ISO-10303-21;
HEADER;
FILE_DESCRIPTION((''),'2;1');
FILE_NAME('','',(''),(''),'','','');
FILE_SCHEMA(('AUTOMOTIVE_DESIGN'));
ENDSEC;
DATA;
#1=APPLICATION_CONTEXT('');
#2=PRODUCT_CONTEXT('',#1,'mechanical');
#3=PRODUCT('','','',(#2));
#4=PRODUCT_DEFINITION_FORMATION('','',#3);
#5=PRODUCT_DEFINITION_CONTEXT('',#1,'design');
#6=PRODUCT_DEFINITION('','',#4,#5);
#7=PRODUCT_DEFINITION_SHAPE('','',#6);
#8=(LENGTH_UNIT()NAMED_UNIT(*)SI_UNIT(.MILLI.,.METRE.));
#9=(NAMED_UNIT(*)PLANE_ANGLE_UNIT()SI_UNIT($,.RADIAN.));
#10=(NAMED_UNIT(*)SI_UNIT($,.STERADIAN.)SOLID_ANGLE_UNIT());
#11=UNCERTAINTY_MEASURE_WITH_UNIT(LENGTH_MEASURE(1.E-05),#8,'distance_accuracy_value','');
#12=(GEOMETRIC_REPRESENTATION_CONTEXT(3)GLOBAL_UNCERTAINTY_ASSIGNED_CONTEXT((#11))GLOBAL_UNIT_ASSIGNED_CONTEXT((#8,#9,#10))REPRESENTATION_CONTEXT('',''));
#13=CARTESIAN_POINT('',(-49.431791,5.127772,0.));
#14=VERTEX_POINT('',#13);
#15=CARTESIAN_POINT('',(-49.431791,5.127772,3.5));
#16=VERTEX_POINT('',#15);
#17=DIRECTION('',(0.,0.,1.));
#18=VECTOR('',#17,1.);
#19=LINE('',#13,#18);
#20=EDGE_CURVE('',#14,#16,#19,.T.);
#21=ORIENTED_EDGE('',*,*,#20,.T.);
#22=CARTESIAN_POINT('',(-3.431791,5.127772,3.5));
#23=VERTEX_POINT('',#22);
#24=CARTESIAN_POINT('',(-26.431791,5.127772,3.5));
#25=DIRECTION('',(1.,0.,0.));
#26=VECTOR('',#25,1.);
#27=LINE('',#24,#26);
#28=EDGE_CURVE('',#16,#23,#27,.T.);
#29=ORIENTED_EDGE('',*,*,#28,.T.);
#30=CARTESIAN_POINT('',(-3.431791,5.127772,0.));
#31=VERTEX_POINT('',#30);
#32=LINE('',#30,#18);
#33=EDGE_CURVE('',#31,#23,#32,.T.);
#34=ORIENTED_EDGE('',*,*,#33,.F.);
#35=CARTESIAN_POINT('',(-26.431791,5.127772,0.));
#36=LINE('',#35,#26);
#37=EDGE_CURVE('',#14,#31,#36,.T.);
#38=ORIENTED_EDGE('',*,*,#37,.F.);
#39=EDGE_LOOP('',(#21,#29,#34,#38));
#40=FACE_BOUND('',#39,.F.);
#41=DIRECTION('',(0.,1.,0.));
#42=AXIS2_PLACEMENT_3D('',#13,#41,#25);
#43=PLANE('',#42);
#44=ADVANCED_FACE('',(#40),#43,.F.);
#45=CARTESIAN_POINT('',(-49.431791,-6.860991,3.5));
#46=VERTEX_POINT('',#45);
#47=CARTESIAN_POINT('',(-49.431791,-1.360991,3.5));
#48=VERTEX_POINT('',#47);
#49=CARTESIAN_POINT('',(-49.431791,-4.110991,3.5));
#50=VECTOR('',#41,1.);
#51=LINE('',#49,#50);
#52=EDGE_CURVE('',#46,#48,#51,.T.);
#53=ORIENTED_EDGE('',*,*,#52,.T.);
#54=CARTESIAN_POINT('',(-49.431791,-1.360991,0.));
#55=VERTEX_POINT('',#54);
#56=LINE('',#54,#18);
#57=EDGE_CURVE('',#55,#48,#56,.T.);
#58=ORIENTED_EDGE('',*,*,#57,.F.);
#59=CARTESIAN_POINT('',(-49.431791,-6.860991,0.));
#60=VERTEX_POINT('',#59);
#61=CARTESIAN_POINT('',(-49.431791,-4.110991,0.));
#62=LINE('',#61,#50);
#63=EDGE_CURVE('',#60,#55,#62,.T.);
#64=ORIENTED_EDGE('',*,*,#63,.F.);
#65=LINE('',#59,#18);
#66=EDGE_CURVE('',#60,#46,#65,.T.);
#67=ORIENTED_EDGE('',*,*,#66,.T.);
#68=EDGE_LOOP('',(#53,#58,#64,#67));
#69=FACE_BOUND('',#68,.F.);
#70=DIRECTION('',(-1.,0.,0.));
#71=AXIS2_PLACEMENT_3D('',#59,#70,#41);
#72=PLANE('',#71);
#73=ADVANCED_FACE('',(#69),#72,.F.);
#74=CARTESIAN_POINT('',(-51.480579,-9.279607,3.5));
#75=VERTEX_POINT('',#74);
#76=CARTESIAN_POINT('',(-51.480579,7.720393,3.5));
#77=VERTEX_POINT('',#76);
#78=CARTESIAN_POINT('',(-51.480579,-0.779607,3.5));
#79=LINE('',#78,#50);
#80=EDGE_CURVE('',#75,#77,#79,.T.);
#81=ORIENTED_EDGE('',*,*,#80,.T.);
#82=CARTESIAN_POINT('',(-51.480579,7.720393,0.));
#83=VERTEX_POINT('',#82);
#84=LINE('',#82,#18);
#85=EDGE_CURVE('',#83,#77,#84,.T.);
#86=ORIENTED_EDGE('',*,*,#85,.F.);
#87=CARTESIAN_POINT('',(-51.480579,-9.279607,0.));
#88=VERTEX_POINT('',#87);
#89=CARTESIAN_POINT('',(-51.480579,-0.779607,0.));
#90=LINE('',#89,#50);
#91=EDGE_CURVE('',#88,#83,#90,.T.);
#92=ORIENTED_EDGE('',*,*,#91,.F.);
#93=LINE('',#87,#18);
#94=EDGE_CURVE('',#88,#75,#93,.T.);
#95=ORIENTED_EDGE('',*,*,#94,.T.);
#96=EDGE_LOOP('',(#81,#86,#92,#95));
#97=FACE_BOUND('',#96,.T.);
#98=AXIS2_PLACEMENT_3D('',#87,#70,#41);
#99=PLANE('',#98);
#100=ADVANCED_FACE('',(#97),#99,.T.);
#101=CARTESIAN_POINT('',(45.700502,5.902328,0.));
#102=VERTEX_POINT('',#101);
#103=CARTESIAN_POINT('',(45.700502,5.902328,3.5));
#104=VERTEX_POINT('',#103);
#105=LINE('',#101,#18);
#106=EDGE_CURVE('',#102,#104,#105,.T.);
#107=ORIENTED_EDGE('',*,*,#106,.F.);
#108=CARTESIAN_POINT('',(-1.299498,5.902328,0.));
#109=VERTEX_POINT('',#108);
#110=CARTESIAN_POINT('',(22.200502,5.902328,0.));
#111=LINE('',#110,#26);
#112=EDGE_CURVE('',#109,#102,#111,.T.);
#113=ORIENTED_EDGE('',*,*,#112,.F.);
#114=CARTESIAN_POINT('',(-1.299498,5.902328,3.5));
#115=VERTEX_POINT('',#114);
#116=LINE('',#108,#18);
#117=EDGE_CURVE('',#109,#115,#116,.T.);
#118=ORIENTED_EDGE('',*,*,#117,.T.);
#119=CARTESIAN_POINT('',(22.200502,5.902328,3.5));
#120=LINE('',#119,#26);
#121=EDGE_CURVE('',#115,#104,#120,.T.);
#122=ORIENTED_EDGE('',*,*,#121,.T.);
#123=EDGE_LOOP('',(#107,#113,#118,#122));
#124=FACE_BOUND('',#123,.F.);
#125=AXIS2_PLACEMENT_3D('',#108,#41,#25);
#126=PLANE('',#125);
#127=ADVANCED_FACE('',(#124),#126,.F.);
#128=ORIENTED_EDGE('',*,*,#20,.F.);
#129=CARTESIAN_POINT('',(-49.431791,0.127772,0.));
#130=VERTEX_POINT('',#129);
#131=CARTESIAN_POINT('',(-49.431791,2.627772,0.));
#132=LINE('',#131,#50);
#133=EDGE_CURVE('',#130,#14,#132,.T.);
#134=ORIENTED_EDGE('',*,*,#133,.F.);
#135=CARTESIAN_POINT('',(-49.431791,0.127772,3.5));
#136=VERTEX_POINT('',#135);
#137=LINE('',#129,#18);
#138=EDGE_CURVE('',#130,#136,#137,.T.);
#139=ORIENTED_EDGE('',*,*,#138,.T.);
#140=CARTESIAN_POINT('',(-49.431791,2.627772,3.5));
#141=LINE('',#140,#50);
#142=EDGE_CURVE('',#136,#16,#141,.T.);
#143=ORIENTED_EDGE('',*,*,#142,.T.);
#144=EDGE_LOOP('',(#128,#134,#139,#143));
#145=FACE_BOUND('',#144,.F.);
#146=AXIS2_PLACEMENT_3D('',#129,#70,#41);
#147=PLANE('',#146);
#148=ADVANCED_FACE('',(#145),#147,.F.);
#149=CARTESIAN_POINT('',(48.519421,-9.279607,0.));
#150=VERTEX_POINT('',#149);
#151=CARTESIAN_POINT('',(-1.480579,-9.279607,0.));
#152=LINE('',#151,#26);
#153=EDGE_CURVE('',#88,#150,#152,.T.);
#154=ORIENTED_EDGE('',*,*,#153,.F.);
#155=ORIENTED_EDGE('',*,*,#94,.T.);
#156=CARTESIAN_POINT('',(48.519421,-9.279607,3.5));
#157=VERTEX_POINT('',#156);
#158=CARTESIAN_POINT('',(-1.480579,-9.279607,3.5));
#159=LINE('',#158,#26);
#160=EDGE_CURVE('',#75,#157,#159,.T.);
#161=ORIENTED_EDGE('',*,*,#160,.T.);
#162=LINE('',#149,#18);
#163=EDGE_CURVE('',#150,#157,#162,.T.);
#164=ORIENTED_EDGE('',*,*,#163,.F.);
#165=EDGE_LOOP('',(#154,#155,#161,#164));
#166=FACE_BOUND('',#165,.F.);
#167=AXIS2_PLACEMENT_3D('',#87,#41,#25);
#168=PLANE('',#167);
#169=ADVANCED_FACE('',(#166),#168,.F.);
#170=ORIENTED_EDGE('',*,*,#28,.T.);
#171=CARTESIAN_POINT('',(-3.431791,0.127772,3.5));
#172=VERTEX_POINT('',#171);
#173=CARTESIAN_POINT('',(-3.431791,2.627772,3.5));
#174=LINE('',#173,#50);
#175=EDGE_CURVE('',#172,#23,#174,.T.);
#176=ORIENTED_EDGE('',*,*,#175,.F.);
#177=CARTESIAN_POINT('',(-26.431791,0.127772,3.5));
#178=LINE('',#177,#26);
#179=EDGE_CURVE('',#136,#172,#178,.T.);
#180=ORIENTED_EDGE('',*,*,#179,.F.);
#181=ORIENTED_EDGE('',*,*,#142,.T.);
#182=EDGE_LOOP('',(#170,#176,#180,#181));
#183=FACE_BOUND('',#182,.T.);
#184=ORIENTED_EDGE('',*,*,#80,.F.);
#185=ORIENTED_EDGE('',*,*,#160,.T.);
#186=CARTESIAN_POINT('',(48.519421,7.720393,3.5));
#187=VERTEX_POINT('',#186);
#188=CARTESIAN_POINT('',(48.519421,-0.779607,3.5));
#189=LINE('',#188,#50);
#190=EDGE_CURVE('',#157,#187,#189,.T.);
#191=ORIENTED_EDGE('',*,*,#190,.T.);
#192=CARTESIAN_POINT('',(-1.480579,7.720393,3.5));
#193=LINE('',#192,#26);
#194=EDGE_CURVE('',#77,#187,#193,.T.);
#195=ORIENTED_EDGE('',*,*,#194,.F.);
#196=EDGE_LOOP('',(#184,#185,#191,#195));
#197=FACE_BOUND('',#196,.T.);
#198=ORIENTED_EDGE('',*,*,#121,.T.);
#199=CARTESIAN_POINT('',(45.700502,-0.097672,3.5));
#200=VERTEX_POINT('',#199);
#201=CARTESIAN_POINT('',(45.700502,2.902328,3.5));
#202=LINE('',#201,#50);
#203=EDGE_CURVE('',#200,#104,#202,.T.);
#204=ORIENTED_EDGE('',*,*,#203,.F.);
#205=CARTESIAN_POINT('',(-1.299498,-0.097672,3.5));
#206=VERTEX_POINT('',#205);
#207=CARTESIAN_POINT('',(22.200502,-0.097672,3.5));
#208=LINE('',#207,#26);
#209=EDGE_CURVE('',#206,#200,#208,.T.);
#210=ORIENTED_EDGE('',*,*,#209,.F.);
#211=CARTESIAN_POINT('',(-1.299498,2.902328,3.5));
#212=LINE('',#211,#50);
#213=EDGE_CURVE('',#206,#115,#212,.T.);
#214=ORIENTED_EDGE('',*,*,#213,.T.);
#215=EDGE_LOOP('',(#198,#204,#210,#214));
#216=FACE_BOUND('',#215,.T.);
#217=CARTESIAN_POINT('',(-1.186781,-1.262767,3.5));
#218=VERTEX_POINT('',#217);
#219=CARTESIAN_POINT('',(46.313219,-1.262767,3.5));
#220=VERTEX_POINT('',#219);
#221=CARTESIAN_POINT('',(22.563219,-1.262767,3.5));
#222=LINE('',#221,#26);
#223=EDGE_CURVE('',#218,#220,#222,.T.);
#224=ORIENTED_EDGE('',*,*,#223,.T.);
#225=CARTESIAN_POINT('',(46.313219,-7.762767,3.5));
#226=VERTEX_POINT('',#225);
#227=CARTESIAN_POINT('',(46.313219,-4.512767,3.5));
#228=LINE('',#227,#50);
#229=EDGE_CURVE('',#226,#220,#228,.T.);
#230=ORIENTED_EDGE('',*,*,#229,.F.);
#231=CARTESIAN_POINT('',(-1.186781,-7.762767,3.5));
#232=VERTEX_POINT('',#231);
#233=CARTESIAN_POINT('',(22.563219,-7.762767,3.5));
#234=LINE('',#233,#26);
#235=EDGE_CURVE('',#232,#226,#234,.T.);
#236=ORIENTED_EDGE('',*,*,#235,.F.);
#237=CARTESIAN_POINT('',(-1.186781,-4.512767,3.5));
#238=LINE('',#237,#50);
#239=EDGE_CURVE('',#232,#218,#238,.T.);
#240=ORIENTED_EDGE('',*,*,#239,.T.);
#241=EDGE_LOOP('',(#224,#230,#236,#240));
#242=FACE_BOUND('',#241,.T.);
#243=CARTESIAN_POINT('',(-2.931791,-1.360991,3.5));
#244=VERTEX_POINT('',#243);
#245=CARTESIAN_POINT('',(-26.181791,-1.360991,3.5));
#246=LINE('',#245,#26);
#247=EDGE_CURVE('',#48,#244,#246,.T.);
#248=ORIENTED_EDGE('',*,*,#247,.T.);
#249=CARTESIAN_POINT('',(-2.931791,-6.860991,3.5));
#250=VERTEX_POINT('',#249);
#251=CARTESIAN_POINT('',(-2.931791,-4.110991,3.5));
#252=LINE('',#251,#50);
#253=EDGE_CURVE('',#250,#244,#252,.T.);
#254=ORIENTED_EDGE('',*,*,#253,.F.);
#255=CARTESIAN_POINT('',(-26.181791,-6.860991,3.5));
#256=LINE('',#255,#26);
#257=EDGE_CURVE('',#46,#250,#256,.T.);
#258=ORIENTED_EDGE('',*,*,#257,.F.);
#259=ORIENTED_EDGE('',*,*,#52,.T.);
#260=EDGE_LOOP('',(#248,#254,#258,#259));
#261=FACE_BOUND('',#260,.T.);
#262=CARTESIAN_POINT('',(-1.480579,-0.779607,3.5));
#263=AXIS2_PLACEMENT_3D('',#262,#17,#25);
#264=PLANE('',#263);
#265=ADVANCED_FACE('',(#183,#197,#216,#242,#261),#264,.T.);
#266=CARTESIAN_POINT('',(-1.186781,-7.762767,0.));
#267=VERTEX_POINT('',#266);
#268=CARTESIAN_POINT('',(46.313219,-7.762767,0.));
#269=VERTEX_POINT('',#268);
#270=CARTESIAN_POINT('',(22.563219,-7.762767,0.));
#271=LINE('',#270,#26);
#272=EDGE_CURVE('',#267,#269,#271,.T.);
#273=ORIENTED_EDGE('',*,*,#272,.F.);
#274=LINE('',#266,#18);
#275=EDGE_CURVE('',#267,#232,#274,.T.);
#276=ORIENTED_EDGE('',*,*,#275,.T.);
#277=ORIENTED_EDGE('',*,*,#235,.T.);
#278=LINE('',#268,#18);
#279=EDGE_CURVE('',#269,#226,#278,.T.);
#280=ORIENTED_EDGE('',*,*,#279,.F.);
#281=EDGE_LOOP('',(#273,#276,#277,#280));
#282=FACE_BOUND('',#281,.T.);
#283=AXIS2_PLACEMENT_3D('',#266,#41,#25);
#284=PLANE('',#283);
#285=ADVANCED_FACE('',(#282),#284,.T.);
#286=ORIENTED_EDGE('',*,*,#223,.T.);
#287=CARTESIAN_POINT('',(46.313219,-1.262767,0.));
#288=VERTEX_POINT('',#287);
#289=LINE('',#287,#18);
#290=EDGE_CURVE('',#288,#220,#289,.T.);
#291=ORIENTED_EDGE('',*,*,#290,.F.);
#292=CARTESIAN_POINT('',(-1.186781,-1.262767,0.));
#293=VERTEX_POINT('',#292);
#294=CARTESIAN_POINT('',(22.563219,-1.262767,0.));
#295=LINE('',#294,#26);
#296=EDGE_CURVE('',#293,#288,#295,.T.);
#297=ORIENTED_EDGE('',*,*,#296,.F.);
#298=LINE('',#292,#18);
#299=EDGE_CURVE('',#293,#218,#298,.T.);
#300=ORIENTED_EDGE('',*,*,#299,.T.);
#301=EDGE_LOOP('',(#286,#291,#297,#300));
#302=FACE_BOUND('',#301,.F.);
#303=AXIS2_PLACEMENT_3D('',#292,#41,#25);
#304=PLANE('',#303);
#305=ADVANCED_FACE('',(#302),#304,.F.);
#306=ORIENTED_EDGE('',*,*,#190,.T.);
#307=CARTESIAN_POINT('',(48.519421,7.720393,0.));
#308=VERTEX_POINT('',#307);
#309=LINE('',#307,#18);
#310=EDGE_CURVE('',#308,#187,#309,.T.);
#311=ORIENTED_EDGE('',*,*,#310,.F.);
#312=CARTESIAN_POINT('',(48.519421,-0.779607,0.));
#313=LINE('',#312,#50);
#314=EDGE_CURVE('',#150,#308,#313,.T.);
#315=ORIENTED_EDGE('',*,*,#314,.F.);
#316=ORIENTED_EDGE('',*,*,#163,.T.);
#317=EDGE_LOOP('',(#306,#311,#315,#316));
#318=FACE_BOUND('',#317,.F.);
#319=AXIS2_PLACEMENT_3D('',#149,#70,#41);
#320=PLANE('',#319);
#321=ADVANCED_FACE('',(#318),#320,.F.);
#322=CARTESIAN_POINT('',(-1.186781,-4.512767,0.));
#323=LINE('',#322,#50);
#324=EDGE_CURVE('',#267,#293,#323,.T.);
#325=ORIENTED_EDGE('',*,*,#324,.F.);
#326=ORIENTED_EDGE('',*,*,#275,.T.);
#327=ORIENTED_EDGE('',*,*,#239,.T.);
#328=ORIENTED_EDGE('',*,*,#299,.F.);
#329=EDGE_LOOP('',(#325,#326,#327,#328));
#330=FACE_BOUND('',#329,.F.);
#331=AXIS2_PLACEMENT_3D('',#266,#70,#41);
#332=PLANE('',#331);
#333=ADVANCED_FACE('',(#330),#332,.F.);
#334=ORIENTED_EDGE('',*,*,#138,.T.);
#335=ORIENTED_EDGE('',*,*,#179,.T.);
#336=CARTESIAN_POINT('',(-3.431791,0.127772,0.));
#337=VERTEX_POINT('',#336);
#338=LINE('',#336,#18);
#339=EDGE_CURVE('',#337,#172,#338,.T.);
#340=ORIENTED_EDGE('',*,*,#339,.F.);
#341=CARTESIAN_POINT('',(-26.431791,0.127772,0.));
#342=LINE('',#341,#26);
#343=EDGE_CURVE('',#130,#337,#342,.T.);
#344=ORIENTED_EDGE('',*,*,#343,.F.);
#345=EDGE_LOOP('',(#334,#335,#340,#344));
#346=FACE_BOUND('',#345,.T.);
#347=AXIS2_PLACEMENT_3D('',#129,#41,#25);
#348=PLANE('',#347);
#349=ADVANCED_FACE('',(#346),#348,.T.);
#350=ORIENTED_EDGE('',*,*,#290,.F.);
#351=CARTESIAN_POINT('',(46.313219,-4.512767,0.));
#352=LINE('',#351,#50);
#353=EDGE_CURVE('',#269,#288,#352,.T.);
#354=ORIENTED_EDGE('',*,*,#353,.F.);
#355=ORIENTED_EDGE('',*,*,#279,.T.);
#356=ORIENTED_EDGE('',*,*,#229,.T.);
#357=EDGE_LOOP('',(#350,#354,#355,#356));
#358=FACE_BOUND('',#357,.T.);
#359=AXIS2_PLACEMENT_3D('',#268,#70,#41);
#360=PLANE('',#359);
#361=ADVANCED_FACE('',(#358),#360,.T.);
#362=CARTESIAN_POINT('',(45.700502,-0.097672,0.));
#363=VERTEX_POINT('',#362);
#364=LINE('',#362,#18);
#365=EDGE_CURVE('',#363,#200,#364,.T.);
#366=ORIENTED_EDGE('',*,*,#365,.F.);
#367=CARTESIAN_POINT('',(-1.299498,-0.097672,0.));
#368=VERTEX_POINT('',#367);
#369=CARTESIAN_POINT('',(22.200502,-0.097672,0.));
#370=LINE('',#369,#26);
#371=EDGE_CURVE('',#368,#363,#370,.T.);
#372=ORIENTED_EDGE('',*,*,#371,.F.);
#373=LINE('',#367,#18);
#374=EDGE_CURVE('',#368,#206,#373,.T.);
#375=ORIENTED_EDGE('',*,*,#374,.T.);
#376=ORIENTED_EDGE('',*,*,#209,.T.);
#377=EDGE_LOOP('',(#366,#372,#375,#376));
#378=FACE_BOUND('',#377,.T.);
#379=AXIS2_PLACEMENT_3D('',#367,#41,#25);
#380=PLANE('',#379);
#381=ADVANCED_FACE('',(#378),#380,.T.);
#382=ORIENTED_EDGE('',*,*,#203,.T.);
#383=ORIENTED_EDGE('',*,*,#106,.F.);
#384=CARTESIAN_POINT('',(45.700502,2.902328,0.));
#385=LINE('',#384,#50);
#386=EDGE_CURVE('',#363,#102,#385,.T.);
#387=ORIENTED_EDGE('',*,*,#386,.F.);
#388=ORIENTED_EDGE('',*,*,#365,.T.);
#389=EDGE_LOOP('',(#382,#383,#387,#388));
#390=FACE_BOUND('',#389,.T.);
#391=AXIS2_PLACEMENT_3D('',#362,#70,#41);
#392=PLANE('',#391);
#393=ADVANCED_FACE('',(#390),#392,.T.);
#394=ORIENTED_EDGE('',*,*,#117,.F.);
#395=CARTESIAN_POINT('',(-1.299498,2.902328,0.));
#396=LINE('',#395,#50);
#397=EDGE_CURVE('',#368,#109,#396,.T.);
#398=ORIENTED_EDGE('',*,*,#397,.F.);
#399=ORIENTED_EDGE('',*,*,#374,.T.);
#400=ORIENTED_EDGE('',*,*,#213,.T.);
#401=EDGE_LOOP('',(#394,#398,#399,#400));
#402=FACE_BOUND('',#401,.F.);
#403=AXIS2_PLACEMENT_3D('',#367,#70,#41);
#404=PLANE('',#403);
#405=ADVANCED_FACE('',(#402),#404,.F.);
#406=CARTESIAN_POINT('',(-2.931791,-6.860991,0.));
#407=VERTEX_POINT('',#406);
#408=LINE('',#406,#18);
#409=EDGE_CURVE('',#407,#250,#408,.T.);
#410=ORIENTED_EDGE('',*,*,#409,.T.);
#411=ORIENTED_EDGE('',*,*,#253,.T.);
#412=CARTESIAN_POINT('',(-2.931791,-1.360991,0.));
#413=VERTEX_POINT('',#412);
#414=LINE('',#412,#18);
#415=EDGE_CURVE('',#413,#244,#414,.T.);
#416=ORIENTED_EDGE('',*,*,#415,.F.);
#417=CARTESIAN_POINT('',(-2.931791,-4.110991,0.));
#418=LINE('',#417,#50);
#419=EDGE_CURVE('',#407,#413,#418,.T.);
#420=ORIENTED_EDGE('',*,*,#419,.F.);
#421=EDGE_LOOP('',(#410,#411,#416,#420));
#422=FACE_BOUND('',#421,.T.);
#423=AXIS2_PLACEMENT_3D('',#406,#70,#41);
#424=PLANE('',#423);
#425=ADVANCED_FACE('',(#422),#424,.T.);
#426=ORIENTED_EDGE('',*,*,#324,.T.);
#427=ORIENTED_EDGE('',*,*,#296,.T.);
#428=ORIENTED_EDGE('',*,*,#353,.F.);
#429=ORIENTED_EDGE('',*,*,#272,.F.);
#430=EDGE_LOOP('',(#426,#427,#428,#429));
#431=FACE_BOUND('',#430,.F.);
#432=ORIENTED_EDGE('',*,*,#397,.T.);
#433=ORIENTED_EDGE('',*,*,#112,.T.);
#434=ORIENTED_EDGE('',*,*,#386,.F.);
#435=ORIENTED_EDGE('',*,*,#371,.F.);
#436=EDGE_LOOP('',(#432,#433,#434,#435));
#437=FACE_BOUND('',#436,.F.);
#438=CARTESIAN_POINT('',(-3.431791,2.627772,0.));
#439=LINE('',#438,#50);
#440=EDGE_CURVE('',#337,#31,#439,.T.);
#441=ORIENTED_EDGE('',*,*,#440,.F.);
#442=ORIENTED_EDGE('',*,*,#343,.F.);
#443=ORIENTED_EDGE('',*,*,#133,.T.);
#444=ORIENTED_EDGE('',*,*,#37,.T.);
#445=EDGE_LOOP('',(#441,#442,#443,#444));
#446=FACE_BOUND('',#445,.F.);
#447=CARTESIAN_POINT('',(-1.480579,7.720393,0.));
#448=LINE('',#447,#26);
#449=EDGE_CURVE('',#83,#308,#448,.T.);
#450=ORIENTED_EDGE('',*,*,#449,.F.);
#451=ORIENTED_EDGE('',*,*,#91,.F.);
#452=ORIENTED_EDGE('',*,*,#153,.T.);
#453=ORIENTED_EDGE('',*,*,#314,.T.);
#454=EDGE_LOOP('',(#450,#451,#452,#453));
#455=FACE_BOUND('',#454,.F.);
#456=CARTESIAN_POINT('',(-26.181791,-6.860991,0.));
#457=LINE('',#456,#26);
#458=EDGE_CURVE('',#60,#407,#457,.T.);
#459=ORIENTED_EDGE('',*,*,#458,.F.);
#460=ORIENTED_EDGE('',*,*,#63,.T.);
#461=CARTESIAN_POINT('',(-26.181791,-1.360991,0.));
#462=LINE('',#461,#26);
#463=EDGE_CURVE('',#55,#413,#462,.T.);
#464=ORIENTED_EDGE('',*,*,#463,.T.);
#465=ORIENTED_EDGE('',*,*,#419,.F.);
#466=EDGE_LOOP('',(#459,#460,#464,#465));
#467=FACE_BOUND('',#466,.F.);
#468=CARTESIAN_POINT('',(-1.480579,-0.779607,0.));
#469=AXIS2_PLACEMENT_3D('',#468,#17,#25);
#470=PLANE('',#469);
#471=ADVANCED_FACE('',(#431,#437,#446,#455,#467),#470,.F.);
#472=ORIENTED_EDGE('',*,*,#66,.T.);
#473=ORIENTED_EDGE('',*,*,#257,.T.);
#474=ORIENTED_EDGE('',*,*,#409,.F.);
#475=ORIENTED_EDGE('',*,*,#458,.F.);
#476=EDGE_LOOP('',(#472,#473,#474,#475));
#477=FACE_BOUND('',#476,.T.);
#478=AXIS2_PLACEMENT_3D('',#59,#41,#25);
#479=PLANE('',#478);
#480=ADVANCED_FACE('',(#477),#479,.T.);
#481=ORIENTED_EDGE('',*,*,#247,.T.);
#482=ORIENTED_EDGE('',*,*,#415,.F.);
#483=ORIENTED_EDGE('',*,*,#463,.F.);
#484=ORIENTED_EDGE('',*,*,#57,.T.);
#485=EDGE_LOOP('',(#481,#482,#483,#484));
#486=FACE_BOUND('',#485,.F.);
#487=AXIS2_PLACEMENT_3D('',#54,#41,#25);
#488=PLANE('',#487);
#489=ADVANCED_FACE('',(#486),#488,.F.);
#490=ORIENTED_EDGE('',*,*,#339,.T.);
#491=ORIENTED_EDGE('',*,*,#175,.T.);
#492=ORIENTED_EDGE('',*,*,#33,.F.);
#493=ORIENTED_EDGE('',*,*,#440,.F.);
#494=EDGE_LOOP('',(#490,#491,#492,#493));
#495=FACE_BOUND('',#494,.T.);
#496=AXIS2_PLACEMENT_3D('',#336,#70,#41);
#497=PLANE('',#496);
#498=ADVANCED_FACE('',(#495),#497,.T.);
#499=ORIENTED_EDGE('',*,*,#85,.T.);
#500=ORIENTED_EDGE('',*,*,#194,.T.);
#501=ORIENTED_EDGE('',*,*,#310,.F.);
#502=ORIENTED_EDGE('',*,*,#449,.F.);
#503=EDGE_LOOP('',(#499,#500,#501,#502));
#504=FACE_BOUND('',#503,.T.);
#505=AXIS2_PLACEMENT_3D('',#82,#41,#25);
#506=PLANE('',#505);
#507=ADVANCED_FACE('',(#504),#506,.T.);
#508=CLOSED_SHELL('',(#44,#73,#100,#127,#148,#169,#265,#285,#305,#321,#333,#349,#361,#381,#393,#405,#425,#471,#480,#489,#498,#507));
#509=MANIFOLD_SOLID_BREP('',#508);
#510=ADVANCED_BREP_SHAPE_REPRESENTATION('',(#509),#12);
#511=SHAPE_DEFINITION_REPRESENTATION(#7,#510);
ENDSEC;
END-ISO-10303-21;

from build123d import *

# Parameters (mm, degrees)
F0_W     = 100
F0_H     = 17
F0_W_2   = 46.5
F0_H_2   = 5.5
F0_W_3   = 47.5
F0_H_3   = 6.5
F0_W_4   = 46
F0_H_4   = 5
F0_W_5   = 47
F0_H_5   = 6
F1_DEPTH = 3.5


with BuildPart() as f1:
    # F0 (on Top) → F1 (new body)
    with BuildSketch(Plane.XY):
        with Locations((-1.480579, -0.779607)):
            Rectangle(F0_W, F0_H)
        with Locations((-26.181791, -4.110991)):
            Rectangle(F0_W_2, F0_H_2, mode=Mode.SUBTRACT)
        with Locations((22.563219, -4.512767)):
            Rectangle(F0_W_3, F0_H_3, mode=Mode.SUBTRACT)
        with Locations((-26.431791, 2.627772)):
            Rectangle(F0_W_4, F0_H_4, mode=Mode.SUBTRACT)
        with Locations((22.200502, 2.902328)):
            Rectangle(F0_W_5, F0_H_5, mode=Mode.SUBTRACT)
    extrude(amount=F1_DEPTH)


solid = f1.part
